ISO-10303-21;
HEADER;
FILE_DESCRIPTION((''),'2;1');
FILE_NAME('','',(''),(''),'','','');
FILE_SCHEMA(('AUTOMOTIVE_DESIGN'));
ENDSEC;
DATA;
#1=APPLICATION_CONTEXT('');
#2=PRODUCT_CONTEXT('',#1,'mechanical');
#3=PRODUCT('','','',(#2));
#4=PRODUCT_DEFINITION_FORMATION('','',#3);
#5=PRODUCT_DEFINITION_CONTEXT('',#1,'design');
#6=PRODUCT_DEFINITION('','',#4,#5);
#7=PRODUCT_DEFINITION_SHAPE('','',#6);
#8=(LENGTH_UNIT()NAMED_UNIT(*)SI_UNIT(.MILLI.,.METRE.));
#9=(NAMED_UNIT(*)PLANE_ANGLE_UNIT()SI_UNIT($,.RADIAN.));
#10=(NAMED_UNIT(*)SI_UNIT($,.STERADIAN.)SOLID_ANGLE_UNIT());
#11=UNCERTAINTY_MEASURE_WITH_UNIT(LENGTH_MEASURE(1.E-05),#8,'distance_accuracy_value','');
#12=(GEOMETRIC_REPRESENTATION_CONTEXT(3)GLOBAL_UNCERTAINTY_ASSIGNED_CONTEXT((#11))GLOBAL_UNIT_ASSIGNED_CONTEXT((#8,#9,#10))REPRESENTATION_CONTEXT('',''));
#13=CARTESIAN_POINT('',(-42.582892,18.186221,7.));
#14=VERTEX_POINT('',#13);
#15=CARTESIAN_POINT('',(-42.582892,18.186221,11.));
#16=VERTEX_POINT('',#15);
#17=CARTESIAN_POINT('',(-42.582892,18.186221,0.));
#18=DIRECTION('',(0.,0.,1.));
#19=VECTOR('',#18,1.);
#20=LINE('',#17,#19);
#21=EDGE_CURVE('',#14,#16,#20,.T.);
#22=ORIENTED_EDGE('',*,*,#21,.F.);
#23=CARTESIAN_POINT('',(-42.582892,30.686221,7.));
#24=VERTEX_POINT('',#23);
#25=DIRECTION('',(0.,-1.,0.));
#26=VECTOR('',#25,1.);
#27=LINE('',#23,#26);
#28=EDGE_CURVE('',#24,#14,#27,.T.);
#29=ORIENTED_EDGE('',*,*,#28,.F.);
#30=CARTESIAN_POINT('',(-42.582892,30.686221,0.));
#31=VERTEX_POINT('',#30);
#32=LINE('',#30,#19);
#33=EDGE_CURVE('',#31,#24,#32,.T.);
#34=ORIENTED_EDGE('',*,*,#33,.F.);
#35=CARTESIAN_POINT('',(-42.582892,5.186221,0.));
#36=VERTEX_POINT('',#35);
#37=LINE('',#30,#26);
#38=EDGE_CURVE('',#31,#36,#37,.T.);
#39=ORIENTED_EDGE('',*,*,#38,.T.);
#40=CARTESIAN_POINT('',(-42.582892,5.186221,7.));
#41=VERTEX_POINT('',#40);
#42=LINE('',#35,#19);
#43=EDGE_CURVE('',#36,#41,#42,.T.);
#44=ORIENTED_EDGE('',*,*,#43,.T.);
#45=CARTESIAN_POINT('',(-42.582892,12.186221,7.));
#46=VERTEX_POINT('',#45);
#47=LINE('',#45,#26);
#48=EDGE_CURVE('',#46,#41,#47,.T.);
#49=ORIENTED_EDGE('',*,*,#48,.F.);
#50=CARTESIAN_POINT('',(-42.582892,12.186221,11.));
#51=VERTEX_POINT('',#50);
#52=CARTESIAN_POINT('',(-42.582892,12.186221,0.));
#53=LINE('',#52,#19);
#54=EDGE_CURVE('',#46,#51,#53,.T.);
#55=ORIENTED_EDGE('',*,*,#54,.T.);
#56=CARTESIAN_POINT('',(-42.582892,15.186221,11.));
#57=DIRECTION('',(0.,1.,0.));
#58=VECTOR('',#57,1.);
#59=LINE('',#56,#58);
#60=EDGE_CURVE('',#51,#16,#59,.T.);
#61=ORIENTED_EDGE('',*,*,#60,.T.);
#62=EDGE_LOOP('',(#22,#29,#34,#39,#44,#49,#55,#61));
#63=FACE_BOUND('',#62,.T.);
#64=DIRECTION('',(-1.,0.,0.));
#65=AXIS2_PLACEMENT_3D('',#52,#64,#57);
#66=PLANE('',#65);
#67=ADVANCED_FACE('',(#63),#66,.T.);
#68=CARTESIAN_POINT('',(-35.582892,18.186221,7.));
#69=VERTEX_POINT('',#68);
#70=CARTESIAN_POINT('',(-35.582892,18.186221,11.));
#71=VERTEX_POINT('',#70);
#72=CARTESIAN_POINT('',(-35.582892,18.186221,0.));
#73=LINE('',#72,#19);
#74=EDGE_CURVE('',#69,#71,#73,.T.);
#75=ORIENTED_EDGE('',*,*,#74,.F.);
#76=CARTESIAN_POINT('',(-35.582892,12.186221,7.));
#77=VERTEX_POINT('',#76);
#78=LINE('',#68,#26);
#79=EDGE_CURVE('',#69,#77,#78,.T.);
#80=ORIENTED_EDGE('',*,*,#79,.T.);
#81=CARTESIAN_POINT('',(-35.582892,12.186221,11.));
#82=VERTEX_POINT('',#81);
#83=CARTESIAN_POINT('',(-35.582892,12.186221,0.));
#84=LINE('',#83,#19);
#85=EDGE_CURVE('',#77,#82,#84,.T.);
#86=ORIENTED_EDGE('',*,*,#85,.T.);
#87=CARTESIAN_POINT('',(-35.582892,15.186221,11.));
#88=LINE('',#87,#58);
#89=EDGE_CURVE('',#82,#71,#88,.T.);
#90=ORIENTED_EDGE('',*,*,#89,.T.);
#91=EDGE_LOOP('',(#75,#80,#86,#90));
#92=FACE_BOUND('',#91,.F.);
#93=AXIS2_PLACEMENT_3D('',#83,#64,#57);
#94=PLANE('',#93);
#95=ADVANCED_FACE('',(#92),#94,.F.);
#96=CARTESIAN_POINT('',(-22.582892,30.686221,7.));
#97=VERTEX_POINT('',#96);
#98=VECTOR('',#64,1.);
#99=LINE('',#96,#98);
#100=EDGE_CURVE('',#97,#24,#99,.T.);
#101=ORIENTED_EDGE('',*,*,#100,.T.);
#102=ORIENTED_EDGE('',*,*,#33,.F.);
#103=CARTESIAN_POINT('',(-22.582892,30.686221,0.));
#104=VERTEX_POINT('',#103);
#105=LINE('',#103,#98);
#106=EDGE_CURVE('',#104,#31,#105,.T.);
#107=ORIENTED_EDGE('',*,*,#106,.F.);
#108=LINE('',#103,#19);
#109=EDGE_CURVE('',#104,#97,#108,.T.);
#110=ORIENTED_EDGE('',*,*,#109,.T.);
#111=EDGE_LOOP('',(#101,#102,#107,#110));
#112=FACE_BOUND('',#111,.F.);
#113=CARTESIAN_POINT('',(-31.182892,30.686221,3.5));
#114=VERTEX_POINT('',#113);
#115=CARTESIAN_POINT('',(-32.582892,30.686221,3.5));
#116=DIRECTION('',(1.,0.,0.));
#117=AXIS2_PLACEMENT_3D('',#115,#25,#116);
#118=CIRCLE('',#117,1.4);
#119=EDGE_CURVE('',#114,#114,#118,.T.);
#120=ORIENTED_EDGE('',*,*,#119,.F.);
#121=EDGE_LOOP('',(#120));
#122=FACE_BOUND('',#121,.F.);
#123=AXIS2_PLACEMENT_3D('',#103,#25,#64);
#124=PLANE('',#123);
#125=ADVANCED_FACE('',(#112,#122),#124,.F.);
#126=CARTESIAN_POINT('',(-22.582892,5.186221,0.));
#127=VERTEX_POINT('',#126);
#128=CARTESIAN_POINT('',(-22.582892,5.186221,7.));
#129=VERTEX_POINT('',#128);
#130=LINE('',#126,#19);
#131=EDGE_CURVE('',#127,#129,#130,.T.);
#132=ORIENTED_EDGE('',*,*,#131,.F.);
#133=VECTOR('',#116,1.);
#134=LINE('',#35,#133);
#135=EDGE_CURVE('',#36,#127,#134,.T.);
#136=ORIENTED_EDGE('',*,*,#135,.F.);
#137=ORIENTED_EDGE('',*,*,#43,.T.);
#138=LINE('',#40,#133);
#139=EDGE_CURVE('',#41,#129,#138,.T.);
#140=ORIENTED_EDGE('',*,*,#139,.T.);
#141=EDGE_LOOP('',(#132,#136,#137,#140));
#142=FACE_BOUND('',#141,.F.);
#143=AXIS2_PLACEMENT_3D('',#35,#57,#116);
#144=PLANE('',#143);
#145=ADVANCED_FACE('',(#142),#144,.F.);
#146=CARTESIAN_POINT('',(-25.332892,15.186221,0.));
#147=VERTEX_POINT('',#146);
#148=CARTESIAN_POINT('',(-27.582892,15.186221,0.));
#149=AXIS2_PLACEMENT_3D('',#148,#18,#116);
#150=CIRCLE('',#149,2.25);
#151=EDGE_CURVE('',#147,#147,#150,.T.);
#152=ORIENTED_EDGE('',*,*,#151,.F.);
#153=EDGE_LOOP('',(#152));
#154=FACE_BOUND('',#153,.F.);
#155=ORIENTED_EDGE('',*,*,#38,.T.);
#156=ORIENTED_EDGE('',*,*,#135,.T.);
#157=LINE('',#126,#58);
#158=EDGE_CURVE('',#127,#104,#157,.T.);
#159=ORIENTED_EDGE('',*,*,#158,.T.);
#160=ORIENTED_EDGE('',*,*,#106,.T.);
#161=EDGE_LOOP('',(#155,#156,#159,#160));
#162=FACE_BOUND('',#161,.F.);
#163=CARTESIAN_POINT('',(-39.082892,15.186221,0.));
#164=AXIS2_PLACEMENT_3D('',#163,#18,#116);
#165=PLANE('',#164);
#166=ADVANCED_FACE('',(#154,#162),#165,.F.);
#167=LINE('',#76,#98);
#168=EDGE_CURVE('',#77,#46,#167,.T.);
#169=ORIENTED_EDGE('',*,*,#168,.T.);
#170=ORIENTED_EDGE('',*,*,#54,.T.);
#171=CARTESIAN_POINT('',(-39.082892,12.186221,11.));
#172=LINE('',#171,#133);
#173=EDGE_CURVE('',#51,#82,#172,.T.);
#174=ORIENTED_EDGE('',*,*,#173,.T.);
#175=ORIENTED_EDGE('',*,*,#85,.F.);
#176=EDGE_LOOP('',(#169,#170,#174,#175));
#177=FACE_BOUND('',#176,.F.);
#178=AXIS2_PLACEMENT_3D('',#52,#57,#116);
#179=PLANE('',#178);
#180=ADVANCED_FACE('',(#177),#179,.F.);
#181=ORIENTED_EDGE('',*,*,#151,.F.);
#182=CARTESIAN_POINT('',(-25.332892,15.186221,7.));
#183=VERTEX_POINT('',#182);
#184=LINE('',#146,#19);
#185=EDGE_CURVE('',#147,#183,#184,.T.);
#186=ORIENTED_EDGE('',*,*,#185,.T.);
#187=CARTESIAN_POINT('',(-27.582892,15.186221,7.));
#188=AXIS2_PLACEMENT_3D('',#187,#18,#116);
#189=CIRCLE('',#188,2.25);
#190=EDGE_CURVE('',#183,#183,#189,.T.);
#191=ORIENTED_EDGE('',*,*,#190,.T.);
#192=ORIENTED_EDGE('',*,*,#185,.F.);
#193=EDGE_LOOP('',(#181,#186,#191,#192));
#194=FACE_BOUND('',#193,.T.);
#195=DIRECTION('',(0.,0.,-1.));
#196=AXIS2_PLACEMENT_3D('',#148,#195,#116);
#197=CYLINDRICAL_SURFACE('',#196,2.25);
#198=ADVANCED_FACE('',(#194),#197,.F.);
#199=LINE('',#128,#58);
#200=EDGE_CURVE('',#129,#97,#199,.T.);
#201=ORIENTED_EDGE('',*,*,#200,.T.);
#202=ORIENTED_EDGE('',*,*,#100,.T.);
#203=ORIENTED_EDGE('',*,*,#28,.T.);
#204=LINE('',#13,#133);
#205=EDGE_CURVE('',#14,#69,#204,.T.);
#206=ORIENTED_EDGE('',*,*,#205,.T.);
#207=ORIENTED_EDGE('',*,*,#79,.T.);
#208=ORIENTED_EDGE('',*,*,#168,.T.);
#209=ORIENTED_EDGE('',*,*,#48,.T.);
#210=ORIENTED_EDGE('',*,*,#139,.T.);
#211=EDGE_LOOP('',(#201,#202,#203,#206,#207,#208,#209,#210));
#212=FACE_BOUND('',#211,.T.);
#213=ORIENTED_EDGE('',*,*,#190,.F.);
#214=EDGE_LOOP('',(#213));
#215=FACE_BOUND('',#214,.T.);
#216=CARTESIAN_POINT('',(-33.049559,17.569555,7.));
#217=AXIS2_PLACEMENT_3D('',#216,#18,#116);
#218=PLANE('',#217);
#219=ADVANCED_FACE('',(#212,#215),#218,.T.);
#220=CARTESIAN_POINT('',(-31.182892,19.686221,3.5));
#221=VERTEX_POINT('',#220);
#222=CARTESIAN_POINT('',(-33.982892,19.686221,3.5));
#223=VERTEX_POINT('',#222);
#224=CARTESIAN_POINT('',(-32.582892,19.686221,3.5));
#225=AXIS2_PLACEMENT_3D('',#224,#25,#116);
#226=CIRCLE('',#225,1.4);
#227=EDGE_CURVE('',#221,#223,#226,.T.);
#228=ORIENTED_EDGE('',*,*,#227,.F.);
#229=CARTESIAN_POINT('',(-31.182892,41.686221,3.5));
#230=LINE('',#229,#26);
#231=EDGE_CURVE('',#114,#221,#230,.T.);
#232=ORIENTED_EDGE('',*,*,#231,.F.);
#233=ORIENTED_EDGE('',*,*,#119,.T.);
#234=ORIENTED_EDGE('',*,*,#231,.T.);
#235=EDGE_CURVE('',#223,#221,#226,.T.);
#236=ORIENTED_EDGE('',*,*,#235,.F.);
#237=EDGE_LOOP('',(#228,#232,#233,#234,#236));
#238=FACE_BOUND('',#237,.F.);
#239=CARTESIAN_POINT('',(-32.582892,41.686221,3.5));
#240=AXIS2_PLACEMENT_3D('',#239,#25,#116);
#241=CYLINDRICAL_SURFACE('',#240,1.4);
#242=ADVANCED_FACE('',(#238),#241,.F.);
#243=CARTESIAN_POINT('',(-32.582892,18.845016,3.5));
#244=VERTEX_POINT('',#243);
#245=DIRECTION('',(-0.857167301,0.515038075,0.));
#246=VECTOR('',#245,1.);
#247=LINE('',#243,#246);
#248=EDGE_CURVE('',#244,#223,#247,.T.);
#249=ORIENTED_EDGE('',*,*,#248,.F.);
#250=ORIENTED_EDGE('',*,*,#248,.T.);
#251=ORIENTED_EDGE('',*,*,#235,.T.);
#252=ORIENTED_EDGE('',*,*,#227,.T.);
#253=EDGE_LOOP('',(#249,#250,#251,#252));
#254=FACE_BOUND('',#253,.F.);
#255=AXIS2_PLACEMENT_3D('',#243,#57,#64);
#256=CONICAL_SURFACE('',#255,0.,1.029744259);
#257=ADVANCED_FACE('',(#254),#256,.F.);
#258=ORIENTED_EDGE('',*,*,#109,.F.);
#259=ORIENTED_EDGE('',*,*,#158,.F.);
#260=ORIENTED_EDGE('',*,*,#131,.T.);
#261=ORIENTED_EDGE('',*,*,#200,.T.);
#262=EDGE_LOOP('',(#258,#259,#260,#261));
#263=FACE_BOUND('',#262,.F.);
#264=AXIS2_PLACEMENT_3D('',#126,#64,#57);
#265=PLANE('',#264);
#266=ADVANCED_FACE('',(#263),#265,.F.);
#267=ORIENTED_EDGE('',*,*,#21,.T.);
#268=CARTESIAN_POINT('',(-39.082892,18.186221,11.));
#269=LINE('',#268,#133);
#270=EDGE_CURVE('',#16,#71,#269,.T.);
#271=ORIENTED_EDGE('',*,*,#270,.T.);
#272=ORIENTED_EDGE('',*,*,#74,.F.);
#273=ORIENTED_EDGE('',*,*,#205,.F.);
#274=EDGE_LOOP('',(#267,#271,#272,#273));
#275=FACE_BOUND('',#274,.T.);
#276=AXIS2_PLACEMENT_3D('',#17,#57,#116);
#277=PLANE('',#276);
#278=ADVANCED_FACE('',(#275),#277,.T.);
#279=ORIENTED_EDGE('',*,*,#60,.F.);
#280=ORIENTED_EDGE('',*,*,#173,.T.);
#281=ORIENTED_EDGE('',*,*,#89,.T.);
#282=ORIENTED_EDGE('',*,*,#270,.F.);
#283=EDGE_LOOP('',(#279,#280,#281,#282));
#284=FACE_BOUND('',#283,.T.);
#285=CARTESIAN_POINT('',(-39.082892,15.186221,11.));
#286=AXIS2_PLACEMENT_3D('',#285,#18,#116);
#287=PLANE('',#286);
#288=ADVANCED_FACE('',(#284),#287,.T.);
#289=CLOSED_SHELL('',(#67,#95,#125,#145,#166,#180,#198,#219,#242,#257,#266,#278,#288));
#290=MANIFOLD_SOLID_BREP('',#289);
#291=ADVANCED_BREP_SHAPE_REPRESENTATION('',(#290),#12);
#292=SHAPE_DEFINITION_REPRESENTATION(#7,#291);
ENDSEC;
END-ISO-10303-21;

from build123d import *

# Parameters (mm, degrees)
F0_R     = 2.25
F1_DEPTH = 7
F0_W     = 7
F0_H     = 6
F2_DEPTH = 11
F4_D     = 2.8
F4_DEPTH = 11
F4_TIP   = 0.8412048666


with BuildPart() as f1:
    # F0 (on Top) → F1 (new body)
    with BuildSketch(Plane.XY):
        Polygon((-22.5828918815, 30.6862212941), (-42.5828918815, 30.6862212941), (-42.5828918815, 18.1862212941), (-35.5828918815, 18.1862212941), (-35.5828918815, 12.1862212941), (-42.5828918815, 12.1862212941), (-42.5828918815, 5.1862212941), (-22.5828918815, 5.1862212941), align=None)
        with Locations((-27.5828918815, 15.1862212941)):
            Circle(F0_R, mode=Mode.SUBTRACT)
    extrude(amount=F1_DEPTH)

    # F0 (on Top) → F2 (join)
    with BuildSketch(Plane.XY):
        with Locations((-39.0828918815, 15.1862212941)):
            Rectangle(F0_W, F0_H)
    extrude(amount=F2_DEPTH)

    # F4
    with Locations(Plane(origin=(0, 30.6862212941, 0), x_dir=(-1, 0, 0), z_dir=(0, 1, 0))):
        with Locations((32.5828918815, 3.5)):
            Hole(F4_D / 2, depth=F4_DEPTH)
            with Locations((0, 0, -(F4_DEPTH + F4_TIP / 2))):  # 118° drill point
                Cone(0, F4_D / 2, F4_TIP, mode=Mode.SUBTRACT)


solid = f1.part
